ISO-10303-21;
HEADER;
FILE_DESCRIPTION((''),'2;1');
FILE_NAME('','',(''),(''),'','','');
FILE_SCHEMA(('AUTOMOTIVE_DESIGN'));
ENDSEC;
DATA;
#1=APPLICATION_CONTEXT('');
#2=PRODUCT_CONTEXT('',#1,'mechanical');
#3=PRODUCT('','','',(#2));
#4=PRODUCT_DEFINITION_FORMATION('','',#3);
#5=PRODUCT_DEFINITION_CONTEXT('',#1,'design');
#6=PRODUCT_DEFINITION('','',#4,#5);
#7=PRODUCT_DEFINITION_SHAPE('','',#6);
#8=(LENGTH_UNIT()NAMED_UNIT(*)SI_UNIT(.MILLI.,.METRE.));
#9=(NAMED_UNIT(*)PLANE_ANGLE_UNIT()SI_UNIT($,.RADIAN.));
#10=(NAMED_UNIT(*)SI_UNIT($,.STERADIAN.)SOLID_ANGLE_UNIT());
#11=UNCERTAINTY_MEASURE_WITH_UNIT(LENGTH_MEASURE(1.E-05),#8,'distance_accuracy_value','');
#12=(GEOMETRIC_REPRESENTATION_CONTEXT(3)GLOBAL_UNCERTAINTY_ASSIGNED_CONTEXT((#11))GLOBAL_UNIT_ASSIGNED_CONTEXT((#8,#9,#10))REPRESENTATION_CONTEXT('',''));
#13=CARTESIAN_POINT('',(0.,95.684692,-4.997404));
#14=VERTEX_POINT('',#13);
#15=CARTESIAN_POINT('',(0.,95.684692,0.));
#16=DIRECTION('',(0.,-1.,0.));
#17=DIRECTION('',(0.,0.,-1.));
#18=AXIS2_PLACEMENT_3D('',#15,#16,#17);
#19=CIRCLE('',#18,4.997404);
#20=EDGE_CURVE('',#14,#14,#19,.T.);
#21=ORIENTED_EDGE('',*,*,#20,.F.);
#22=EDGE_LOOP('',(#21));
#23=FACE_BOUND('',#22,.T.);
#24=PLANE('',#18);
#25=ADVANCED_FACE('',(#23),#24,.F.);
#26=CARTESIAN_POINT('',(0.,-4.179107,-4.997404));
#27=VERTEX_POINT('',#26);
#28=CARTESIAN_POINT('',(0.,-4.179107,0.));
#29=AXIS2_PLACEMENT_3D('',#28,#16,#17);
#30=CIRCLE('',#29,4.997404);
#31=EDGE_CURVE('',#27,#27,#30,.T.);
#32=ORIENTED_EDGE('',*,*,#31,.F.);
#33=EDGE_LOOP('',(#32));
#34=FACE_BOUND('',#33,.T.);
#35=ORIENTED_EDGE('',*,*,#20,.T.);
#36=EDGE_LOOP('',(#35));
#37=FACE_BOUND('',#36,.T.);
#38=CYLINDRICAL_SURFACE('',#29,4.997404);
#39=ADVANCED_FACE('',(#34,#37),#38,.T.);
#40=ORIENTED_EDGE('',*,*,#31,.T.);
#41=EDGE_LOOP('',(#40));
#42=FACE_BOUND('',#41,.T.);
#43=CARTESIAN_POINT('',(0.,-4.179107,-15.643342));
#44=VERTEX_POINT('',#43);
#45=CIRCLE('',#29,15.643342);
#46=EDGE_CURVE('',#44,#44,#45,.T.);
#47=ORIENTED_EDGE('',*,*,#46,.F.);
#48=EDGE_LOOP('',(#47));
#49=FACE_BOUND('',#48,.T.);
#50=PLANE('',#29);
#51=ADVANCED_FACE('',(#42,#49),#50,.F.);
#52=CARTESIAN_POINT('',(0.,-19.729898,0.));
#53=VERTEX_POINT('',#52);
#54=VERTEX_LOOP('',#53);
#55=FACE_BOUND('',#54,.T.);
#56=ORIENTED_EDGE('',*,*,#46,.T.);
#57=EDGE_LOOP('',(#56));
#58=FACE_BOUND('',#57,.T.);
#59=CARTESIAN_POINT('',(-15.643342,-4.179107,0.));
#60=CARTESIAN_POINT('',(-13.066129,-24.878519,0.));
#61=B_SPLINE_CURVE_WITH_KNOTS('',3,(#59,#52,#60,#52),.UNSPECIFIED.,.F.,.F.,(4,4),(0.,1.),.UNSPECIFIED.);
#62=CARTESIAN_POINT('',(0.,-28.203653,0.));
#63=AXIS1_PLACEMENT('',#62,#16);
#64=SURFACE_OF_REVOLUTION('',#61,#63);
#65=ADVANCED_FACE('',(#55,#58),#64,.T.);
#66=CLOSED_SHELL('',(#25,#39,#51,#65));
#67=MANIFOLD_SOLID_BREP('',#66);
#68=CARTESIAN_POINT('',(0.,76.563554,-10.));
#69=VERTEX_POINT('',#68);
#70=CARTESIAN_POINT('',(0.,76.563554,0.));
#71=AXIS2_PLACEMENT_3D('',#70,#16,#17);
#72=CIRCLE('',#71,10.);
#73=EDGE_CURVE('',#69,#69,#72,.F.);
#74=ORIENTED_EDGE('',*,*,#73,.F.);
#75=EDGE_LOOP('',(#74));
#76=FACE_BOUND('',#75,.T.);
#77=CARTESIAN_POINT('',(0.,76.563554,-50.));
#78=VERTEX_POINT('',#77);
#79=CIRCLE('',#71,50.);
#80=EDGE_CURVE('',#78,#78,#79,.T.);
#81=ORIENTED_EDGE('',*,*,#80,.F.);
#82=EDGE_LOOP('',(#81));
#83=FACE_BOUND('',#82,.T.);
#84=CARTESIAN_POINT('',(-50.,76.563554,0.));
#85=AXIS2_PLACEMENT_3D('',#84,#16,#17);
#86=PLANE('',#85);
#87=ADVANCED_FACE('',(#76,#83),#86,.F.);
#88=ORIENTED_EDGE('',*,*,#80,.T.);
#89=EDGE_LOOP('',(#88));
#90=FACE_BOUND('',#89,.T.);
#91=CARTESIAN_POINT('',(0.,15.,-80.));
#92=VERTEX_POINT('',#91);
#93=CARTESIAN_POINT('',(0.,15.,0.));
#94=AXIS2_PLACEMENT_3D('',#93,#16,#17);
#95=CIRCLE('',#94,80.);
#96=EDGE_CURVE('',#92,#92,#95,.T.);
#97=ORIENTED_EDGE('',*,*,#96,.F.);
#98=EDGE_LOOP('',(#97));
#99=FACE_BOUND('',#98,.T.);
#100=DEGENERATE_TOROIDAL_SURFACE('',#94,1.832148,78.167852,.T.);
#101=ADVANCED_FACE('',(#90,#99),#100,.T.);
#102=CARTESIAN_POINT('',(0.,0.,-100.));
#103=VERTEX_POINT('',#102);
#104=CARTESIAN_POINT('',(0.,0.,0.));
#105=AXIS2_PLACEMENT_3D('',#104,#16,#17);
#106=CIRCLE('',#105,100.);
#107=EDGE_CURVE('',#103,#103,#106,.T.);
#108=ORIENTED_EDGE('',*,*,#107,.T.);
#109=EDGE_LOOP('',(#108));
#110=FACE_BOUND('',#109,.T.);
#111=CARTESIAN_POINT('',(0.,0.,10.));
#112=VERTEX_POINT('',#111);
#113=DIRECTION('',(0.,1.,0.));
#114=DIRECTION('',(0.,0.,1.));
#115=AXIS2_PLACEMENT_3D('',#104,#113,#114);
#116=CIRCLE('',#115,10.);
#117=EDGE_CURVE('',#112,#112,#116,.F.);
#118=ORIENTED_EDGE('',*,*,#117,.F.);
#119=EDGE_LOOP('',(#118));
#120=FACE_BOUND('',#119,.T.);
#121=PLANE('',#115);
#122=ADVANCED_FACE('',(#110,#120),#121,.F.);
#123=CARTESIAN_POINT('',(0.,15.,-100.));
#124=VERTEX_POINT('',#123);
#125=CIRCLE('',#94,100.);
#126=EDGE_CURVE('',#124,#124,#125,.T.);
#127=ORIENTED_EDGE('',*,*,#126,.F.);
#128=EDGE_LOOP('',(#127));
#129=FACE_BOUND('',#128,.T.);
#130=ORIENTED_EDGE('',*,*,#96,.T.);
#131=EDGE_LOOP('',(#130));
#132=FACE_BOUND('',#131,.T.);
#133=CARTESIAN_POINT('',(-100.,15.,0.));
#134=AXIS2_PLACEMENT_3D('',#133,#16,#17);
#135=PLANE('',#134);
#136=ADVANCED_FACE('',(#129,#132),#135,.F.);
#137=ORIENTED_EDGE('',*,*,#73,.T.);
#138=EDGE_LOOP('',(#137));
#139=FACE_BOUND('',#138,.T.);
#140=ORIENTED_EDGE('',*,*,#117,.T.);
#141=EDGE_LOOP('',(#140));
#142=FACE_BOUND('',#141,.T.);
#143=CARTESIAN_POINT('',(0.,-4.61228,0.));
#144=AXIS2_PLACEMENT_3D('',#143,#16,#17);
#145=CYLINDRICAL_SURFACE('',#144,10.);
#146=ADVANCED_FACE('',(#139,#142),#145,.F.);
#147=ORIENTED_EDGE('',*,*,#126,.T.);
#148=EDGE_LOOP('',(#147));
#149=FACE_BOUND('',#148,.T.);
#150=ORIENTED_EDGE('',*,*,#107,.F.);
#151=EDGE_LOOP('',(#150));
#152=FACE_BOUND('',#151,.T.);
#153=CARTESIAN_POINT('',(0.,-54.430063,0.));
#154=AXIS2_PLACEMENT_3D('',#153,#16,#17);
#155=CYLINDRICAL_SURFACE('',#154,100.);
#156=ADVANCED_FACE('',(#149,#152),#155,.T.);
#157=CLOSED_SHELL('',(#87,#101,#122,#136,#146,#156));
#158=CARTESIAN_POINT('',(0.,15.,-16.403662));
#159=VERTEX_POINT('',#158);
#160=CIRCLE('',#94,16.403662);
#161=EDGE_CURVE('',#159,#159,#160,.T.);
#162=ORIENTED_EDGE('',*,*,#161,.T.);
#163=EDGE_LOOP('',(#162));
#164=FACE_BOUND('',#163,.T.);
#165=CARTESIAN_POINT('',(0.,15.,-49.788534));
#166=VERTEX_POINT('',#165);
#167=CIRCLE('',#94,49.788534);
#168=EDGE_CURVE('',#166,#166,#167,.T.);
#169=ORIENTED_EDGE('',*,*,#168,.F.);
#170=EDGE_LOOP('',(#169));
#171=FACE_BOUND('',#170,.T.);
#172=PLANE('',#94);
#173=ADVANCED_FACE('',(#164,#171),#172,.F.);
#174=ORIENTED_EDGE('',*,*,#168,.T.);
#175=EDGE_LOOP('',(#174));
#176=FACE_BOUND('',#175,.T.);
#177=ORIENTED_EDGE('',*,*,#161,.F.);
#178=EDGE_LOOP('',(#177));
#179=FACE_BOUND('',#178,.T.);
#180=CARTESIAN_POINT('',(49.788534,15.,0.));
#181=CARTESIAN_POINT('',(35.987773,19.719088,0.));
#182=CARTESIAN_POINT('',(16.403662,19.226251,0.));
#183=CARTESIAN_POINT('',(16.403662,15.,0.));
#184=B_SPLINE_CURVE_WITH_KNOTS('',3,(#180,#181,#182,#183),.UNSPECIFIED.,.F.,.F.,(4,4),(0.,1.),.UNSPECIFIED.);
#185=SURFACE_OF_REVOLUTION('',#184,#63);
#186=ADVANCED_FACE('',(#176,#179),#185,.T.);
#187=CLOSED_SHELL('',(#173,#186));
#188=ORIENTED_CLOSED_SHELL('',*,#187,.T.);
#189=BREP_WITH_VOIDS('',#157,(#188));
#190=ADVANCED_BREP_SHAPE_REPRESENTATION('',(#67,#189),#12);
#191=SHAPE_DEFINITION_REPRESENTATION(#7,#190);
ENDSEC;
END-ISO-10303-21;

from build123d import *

# Parameters (mm, degrees)
SKETCH5_W = 10
SKETCH5_H = 85.271317829
SKETCH6_W = 4.997404457
SKETCH6_H = 99.86379845


with BuildPart() as part:
    # Sketch1 → Revolve1 (revolve)
    with BuildSketch(Plane.XY, mode=Mode.PRIVATE) as revolve1_sk:
        with BuildLine():
            Line((0, 0), (-100, 0))
            Line((-100, 0), (-100, 15))
            Line((-100, 15), (-80, 15))
            ThreePointArc((-80, 15), (-72.100884338, 49.242047033), (-50, 76.563553666))
            Line((-50, 76.563553666), (0, 76.563553666))
            Line((0, 76.563553666), (0, 0))
        make_face()
    revolve(revolve1_sk.sketch.rotate(Axis((0, -54.430062581, 0), (0, 1, 0)), 270), axis=Axis((0, -54.430062581, 0), (0, 1, 0)))

    # Sketch5 → Cut-Revolve3 (revolve, cut)
    with BuildSketch(Plane.XY, mode=Mode.PRIVATE) as cut_revolve3_sk:
        with Locations((-5, 38.0233789)):
            Rectangle(SKETCH5_W, SKETCH5_H)
    revolve(cut_revolve3_sk.sketch.rotate(Axis((0, -4.612280014, 0), (0, 1, 0)), 270), axis=Axis((0, -4.612280014, 0), (0, 1, 0)), mode=Mode.SUBTRACT)

    # Sketch8 → Cut-Revolve5 (revolve, cut)
    with BuildSketch(Plane.XY, mode=Mode.PRIVATE) as cut_revolve5_sk:
        with BuildLine():
            Line((16.403662065, 15), (49.788533995, 15))
            add(Edge.make_bspline(
                [(49.788533995, 15), (35.987773119, 19.719088146), (16.403662065, 19.226251336), (16.403662065, 15)],
                knots=[0, 0, 0, 0, 1, 1, 1, 1], degree=3))
        make_face()
    revolve(cut_revolve5_sk.sketch.rotate(Axis((0, -28.203653135, 0), (0, 1, 0)), 90), axis=Axis((0, -28.203653135, 0), (0, 1, 0)), mode=Mode.SUBTRACT)


with BuildPart() as body_2:
    # Sketch6 → Revolve5 (revolve)
    with BuildSketch(Plane.XY, mode=Mode.PRIVATE) as revolve5_sk:
        with Locations((-2.498702229, 45.752792466)):
            Rectangle(SKETCH6_W, SKETCH6_H)
    revolve(revolve5_sk.sketch.rotate(Axis((0, -4.179106759, 0), (0, 1, 0)), 270), axis=Axis((0, -4.179106759, 0), (0, 1, 0)))

    # Sketch7 → Revolve7 (revolve)
    with BuildSketch(Plane.XY, mode=Mode.PRIVATE) as revolve7_sk:
        with BuildLine():
            Line((0, -4.179106759), (-15.643341922, -4.179106759))
            add(Edge.make_bspline(
                [(-15.643341922, -4.179106759), (0, -19.729897602), (-13.066129302, -24.878518685), (0, -19.729897602)],
                knots=[0, 0, 0, 0, 1, 1, 1, 1], degree=3))
            Line((0, -19.729897602), (0, -4.179106759))
        make_face()
    revolve(revolve7_sk.sketch.rotate(Axis((0, -28.203653135, 0), (0, 1, 0)), 270), axis=Axis((0, -28.203653135, 0), (0, 1, 0)))


solid = Compound([part.part, body_2.part])
